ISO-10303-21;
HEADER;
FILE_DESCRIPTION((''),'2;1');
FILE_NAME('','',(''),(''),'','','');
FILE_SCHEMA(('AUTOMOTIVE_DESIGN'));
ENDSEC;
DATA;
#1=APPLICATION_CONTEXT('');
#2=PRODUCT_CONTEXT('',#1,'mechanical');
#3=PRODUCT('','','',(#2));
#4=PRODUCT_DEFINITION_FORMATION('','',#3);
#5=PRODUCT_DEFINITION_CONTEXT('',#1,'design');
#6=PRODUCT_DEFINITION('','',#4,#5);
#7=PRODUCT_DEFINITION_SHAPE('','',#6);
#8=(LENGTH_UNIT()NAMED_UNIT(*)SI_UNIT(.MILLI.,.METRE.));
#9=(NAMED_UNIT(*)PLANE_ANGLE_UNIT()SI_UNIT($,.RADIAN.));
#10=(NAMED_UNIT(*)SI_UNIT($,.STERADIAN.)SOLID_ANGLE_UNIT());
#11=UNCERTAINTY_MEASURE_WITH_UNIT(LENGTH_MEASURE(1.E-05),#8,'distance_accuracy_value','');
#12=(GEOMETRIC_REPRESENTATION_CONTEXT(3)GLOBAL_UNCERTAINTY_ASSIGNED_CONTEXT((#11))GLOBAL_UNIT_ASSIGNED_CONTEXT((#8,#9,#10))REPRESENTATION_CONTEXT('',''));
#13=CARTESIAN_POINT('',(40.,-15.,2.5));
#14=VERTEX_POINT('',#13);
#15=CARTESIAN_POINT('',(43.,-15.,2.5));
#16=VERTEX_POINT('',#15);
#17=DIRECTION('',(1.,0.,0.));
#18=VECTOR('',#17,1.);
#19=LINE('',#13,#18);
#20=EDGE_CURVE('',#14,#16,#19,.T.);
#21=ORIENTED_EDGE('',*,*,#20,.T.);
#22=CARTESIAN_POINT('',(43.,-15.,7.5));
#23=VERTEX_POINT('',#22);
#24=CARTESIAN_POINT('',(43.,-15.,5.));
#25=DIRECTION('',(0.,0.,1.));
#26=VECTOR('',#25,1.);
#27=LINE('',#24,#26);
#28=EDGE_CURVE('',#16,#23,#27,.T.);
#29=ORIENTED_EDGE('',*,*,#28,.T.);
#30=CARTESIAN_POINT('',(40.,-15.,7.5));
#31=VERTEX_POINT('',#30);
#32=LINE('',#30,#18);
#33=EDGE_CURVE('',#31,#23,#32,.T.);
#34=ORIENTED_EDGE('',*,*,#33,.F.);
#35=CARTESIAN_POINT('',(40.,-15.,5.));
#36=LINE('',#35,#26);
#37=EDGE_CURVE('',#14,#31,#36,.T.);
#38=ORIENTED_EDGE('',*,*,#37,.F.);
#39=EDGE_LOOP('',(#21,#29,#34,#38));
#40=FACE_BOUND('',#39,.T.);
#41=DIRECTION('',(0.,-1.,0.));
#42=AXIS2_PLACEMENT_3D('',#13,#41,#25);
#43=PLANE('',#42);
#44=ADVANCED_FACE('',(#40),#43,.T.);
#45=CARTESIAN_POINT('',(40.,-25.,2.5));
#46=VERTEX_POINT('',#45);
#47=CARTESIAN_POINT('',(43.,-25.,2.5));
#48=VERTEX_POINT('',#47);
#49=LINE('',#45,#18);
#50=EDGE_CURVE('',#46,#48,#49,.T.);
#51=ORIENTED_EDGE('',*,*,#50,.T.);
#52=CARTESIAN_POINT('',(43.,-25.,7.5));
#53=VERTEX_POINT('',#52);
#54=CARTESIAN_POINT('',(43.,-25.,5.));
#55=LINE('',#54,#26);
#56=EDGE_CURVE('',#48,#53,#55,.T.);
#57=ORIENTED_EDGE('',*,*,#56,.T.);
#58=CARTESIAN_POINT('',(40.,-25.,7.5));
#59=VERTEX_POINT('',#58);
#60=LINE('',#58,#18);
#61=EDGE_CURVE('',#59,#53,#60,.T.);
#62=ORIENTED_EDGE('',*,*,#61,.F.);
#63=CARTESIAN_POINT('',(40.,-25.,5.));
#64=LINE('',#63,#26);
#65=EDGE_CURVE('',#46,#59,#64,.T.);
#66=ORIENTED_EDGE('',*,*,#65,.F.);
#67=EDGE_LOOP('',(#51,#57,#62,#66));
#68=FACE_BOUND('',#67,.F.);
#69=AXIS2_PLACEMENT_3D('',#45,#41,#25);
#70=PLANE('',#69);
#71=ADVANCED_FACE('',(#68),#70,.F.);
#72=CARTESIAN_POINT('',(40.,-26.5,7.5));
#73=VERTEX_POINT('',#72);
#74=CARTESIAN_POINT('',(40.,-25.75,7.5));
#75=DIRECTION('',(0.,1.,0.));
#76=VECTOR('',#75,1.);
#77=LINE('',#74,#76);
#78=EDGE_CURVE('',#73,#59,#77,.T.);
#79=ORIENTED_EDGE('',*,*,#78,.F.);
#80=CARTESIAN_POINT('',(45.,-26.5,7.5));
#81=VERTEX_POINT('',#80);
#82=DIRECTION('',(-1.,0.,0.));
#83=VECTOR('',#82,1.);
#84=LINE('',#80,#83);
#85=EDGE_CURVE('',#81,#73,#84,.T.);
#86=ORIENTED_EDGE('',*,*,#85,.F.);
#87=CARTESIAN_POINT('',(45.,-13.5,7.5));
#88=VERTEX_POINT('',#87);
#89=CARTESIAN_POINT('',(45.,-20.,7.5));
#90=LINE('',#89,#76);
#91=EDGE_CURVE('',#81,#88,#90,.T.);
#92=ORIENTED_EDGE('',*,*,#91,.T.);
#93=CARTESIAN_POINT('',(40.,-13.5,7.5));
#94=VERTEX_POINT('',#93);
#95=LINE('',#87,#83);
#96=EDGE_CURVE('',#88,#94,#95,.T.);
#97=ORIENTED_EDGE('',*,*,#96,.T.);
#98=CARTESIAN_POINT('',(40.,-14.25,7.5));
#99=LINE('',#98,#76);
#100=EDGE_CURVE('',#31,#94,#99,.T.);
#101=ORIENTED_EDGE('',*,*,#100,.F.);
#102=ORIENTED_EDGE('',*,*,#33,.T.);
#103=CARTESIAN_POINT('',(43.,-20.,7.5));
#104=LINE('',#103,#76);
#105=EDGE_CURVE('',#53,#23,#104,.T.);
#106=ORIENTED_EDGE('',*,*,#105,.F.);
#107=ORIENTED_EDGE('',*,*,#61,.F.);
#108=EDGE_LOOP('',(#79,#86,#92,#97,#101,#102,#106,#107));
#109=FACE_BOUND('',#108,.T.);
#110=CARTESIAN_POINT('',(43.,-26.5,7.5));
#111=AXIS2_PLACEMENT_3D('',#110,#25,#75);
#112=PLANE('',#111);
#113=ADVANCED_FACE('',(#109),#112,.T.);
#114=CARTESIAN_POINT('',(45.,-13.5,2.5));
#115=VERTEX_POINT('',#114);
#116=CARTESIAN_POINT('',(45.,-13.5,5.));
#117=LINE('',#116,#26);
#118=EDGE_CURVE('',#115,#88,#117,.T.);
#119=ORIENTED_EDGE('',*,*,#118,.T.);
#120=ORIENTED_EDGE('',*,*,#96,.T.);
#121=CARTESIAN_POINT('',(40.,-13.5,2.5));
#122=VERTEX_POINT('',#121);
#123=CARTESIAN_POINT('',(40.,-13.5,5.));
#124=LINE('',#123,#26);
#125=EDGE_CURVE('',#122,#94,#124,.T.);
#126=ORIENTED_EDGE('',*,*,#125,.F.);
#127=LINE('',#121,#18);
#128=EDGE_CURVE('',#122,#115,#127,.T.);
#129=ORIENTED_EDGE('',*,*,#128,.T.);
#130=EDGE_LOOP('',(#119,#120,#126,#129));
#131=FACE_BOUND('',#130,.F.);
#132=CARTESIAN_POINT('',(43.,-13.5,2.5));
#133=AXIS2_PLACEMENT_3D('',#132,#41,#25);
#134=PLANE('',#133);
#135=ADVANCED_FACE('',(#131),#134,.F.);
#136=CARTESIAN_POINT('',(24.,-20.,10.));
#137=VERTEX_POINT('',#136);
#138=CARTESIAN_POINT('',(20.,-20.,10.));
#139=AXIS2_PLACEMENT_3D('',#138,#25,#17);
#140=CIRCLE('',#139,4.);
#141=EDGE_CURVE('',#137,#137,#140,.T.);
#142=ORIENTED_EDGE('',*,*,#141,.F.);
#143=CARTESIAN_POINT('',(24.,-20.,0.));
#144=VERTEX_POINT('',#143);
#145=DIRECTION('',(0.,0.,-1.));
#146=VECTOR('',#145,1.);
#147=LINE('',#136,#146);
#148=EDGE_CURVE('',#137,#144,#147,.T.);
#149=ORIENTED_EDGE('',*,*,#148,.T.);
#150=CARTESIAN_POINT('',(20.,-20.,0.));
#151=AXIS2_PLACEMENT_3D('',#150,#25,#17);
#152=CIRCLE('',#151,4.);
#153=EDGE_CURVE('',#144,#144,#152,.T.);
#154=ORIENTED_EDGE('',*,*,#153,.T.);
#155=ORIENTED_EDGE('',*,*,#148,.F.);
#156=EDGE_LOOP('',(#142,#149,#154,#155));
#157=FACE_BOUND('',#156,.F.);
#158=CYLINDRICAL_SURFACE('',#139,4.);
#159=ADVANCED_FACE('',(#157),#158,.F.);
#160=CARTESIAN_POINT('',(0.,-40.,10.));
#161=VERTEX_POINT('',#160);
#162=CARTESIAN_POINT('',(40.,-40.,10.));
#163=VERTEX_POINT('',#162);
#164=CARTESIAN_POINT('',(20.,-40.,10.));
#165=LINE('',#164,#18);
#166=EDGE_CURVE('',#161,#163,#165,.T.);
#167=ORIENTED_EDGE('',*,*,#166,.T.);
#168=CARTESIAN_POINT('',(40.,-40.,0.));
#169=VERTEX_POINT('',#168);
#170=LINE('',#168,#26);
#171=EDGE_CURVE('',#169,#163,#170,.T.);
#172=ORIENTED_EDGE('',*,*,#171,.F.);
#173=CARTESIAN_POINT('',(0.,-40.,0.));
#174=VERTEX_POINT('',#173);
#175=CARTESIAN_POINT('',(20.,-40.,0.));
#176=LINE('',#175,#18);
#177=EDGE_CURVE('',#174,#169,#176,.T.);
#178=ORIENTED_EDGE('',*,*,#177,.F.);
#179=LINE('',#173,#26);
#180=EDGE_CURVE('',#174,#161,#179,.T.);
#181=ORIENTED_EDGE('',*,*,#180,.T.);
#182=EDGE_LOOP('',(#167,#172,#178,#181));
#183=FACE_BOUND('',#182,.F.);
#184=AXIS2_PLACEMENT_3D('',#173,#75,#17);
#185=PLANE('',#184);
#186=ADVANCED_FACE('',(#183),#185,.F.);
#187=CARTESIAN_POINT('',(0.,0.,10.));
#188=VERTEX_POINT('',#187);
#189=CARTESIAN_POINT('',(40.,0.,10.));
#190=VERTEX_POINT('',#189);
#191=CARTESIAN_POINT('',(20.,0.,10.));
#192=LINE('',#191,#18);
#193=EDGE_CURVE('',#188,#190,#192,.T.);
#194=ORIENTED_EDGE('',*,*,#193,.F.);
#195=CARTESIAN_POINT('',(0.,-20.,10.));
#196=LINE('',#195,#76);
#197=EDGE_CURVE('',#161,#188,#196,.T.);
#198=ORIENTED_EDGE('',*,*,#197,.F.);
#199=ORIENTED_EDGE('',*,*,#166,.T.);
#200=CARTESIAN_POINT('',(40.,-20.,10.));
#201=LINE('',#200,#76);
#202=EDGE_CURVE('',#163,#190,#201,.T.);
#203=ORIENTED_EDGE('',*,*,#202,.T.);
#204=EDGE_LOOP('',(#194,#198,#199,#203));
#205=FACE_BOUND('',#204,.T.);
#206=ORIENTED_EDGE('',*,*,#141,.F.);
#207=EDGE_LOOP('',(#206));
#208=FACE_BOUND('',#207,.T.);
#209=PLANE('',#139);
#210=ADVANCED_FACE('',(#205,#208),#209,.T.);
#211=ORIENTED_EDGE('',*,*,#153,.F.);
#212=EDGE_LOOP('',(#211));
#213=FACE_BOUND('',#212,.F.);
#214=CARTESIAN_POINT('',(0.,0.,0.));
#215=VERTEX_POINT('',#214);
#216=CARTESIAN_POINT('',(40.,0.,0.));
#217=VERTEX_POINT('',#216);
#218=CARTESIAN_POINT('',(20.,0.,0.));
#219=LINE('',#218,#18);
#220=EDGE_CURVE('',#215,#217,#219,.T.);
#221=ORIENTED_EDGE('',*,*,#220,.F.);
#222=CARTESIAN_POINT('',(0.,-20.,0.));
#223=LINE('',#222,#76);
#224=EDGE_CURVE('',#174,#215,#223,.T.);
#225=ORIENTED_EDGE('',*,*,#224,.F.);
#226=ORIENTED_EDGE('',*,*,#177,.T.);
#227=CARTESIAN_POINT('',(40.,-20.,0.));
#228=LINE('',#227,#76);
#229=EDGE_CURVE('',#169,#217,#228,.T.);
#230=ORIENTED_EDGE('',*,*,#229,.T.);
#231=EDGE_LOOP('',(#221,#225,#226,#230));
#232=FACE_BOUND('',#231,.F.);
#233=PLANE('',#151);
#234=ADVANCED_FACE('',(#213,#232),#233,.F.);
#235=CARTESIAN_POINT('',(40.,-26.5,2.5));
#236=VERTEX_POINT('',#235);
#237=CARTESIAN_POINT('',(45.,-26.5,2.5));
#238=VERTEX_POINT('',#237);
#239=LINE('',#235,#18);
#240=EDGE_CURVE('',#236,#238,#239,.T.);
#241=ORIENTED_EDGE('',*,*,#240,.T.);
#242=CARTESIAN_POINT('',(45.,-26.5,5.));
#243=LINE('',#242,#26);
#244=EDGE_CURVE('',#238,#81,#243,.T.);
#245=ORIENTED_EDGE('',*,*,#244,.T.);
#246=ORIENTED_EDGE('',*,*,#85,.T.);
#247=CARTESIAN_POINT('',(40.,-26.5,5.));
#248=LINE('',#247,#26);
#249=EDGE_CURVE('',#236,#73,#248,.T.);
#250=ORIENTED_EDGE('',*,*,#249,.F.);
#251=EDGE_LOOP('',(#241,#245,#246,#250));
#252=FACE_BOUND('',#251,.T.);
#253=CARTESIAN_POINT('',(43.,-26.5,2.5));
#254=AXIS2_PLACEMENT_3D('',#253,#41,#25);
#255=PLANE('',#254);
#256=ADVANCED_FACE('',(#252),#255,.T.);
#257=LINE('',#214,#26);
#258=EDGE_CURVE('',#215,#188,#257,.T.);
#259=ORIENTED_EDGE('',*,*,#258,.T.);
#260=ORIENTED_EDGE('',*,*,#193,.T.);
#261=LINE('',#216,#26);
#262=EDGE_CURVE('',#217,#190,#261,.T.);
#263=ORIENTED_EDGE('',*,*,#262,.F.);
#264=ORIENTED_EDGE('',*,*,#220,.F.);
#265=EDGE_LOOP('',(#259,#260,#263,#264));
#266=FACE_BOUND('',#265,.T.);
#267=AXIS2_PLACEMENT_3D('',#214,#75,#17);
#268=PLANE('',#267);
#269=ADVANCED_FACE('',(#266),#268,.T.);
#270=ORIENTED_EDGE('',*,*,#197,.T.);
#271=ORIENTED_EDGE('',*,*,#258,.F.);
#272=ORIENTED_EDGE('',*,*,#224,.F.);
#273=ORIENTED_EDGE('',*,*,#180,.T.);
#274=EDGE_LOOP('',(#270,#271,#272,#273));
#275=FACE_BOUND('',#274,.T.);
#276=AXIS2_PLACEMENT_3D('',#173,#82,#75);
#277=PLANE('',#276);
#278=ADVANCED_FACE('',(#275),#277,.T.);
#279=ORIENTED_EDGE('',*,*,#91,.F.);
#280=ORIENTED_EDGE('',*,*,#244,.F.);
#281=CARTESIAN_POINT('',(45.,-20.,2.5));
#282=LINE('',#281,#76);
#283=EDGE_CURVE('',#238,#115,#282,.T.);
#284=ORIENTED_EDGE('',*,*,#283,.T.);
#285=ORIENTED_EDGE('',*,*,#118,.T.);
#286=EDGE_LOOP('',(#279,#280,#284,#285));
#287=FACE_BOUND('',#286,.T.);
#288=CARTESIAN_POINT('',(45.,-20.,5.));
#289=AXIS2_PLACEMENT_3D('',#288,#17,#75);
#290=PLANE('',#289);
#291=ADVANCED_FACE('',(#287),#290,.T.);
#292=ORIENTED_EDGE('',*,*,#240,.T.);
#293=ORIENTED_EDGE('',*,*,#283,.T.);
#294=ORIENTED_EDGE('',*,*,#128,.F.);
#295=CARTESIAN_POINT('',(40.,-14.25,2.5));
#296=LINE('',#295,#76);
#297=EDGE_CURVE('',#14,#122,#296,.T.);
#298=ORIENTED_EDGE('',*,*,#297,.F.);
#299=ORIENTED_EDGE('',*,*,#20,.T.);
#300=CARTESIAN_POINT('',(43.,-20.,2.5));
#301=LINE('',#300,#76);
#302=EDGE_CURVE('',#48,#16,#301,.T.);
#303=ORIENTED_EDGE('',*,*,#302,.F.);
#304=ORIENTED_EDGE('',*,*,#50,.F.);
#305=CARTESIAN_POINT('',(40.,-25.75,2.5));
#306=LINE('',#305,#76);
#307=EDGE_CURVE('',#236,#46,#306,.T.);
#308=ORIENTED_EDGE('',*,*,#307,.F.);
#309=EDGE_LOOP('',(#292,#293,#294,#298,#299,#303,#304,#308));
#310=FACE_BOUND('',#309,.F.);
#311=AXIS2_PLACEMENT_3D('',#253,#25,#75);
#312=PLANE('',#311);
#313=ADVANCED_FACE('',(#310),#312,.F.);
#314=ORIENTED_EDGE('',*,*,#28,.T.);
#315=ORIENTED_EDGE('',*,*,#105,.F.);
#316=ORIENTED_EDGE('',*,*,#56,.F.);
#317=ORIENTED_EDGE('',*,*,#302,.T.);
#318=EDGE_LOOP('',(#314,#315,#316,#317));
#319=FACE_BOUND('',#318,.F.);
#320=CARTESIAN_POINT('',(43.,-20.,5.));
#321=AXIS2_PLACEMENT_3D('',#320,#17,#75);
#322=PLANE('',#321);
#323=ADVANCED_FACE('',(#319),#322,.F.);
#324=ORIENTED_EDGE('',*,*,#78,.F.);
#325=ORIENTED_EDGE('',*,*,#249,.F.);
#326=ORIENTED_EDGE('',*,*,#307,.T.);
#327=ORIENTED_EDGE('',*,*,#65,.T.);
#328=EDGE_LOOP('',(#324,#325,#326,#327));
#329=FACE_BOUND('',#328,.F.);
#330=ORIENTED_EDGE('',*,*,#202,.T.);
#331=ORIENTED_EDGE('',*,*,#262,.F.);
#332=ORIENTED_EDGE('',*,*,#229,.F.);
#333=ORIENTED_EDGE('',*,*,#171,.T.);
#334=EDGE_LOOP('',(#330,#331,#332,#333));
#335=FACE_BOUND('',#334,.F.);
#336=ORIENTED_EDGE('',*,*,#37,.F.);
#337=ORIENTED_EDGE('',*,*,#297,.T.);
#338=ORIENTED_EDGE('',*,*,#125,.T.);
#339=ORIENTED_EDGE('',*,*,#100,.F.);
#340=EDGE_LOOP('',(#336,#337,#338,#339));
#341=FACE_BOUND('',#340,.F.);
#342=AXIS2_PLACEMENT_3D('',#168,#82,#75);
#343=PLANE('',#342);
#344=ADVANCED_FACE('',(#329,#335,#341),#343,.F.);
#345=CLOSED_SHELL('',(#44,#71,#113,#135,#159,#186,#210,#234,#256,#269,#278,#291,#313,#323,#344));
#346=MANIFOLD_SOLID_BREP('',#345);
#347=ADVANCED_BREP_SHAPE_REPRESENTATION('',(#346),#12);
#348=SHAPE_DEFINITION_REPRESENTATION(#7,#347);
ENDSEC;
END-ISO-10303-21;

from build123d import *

# Parameters (mm, degrees)
F0_W     = 40
F0_H     = 40
F1_DEPTH = 10
F2_R     = 4
F3_DEPTH = 10.001
F4_W     = 1.5
F4_H     = 5
F5_DEPTH = 3
F6_W     = 13
F6_H     = 5
F7_DEPTH = 2


with BuildPart() as f1:
    # F0 (on Top) → F1 (new body)
    with BuildSketch(Plane.XY):
        with Locations((20, -20)):
            Rectangle(F0_W, F0_H)
    extrude(amount=F1_DEPTH)

    # F2 (on face) → F3 (cut, through all)
    with BuildSketch(Plane.XY.offset(10)):
        with Locations((20, -20)):
            Circle(F2_R)
    extrude(amount=-F3_DEPTH, mode=Mode.SUBTRACT)

    # F4 (on face) → F5 (join)
    with BuildSketch(Plane.YZ.offset(40)):
        with Locations((-25.75, 5)):
            Rectangle(F4_W, F4_H)
        with Locations((-14.25, 5)):
            Rectangle(F4_W, F4_H)
    extrude(amount=F5_DEPTH)

    # F6 (on face) → F7 (join)
    with BuildSketch(Plane.YZ.offset(43)):
        with Locations((-20, 5)):
            Rectangle(F6_W, F6_H)
    extrude(amount=F7_DEPTH)


solid = f1.part
